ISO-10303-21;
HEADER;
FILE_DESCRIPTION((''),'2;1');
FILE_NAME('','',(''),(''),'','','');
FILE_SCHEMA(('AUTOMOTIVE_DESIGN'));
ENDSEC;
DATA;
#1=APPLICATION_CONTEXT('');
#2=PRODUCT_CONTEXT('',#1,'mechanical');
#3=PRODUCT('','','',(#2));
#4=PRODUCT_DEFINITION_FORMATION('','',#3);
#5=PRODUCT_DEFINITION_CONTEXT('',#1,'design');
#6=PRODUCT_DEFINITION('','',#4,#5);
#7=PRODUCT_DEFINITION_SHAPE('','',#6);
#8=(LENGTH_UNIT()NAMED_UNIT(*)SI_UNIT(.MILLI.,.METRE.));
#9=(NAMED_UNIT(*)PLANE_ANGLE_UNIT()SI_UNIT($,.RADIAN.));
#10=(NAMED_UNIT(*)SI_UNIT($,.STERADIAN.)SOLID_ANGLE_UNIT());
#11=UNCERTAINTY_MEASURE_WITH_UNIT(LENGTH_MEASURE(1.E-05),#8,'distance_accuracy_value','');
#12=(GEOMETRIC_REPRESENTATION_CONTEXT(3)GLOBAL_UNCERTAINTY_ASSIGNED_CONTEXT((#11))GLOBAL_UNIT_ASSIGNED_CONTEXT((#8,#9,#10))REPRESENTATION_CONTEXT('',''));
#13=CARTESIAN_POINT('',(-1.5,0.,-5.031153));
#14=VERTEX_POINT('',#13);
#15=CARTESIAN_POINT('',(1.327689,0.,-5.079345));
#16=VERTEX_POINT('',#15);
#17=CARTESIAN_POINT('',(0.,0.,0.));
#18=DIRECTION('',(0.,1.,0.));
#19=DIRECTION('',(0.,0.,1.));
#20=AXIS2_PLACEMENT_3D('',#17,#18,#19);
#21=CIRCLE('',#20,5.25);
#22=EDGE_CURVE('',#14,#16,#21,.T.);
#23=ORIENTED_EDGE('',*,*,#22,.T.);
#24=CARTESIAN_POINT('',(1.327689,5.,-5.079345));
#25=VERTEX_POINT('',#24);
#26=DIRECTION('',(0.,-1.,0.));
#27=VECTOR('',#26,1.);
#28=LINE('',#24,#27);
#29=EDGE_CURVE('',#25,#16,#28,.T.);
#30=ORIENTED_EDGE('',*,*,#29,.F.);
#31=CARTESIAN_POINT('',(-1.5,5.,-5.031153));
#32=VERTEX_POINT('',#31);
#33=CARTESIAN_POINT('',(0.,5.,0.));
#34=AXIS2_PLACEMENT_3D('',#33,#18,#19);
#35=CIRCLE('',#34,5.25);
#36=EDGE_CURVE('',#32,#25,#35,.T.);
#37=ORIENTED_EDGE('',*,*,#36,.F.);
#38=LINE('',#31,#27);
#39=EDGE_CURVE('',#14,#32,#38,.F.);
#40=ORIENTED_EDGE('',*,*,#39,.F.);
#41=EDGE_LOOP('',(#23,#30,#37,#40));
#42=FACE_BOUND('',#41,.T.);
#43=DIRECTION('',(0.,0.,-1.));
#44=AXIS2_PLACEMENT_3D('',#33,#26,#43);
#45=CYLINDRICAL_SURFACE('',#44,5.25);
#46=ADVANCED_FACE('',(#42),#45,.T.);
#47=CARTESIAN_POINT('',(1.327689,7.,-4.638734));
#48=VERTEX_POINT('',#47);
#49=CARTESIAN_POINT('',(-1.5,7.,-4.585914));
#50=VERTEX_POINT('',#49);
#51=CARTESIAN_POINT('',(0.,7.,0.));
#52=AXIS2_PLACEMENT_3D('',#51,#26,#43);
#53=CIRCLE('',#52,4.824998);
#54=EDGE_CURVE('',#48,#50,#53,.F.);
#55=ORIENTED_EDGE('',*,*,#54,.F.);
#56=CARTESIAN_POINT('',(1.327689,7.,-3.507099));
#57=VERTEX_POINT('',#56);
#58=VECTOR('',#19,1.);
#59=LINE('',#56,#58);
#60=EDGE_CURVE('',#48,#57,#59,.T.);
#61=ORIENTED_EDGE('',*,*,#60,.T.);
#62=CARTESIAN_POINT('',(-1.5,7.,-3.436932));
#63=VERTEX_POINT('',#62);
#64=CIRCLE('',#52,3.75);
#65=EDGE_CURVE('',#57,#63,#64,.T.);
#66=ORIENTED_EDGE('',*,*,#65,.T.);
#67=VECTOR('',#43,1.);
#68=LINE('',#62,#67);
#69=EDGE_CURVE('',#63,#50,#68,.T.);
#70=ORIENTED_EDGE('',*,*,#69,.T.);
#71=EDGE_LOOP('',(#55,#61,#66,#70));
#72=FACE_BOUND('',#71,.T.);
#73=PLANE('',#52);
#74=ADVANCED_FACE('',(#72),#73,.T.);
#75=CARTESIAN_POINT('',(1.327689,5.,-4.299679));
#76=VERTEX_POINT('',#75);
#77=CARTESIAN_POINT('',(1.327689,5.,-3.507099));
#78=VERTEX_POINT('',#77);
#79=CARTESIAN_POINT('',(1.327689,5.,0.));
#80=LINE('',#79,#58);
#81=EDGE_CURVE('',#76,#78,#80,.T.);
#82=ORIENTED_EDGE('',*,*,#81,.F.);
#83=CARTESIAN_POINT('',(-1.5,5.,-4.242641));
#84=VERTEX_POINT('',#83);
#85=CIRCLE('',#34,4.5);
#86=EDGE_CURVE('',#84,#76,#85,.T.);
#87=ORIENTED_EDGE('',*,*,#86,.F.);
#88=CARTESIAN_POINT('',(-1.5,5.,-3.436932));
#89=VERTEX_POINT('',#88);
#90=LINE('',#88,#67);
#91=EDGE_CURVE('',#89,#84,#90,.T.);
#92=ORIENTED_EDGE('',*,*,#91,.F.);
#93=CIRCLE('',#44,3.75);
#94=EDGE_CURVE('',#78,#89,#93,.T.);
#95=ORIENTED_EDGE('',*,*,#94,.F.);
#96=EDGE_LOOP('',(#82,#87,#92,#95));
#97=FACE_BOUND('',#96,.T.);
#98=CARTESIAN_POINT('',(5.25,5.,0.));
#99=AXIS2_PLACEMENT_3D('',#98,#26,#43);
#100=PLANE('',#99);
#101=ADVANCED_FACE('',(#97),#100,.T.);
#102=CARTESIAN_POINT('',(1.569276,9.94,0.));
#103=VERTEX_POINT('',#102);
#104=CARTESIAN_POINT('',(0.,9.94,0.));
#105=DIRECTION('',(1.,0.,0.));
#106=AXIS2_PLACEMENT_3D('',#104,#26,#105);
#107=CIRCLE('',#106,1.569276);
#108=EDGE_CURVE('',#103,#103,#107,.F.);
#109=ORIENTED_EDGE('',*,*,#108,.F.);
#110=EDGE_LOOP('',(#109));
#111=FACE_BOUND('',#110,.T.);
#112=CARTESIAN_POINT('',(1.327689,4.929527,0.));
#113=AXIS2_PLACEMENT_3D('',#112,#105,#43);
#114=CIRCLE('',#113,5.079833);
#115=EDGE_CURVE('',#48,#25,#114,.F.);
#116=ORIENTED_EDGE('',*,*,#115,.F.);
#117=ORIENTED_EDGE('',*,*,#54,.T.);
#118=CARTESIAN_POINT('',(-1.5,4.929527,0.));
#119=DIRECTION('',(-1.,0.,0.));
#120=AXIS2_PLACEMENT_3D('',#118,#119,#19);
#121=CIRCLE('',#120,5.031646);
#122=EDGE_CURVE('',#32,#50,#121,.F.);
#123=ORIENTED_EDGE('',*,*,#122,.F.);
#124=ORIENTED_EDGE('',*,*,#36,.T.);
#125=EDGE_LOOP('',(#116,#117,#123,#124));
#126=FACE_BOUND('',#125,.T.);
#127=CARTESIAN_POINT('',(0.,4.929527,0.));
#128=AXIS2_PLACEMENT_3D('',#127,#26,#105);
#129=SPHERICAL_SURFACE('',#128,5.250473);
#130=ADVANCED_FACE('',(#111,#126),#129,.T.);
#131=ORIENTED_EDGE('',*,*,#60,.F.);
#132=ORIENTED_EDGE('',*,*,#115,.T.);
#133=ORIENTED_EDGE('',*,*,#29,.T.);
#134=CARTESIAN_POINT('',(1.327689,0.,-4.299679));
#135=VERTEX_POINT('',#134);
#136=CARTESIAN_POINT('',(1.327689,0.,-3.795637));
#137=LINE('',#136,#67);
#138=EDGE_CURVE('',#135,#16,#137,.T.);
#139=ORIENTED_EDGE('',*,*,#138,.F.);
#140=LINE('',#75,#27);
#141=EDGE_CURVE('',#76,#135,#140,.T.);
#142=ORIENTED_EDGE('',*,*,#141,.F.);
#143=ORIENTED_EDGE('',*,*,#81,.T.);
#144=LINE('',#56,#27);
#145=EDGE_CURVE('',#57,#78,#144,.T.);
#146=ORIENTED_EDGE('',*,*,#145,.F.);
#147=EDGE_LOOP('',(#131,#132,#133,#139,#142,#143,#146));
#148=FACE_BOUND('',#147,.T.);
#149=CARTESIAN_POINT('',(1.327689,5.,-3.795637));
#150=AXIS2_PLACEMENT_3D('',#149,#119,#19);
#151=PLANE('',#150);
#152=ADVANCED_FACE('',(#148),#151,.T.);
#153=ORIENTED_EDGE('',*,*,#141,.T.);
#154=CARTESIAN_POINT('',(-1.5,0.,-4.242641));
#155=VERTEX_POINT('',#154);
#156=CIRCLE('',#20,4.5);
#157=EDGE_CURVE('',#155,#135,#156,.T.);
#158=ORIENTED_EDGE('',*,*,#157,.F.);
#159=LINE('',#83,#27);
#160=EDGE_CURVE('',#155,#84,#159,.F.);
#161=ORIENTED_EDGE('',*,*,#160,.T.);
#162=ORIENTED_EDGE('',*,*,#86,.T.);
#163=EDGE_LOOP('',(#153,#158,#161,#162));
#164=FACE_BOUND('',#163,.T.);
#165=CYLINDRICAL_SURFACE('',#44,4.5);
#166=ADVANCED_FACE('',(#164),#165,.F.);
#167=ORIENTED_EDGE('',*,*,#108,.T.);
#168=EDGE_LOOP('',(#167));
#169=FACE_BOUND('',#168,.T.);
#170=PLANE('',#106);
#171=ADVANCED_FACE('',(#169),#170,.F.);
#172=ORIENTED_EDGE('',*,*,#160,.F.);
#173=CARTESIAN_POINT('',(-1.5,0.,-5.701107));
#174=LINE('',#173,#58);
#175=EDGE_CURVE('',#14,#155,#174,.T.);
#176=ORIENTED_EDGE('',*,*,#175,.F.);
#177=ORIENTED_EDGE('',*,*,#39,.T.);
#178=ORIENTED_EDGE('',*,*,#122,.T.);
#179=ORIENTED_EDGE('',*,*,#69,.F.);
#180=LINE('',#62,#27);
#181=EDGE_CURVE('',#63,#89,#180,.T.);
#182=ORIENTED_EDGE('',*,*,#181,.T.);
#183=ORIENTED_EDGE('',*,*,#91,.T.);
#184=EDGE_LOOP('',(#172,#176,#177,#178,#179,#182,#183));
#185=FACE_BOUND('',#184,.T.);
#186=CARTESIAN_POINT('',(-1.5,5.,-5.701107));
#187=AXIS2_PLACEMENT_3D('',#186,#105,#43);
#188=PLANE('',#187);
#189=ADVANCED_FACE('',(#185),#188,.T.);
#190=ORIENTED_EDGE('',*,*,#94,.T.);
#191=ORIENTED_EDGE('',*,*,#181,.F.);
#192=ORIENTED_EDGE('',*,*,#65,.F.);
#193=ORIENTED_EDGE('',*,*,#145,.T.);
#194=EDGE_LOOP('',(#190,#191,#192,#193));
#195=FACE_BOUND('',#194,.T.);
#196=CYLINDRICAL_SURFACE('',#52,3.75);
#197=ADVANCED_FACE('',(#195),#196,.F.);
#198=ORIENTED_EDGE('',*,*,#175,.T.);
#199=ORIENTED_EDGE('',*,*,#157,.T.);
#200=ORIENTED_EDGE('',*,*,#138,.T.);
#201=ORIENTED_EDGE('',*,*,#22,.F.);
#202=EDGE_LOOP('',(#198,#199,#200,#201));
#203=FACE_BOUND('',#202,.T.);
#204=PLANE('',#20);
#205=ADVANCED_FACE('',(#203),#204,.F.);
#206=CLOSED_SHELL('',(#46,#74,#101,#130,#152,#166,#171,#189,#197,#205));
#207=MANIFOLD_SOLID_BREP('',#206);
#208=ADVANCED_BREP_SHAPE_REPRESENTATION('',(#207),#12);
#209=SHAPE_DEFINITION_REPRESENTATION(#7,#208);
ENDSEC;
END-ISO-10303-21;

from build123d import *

# Parameters (mm, degrees)
SKETCH1_R           = 5.25
SKETCH1_R_2         = 4.5
BOSS_EXTRUDE1_DEPTH = 5
CUT_EXTRUDE1_DEPTH  = 5
CUT_EXTRUDE2_DEPTH  = 2
SKETCH6_R           = 2
CUT_EXTRUDE4_DEPTH  = 0.35


with BuildPart() as part:
    # Sketch1 → Boss-Extrude1 (new body)
    with BuildSketch(Plane(origin=(0, 0, 0), x_dir=(1, 0, 0), z_dir=(0, 1, 0))):
        Circle(SKETCH1_R)
        Circle(SKETCH1_R_2, mode=Mode.SUBTRACT)
    extrude(amount=BOSS_EXTRUDE1_DEPTH)

    # Sketch2 → Cut-Extrude1 (cut)
    with BuildSketch(Plane(origin=(0, 0, 0), x_dir=(1, 0, 0), z_dir=(0, 1, 0))):
        Polygon((1.327689147, 3.795637322), (1.327689147, 5.701107087), (-1.5, 5.701107087), (-1.5, 3.701107087), align=None)
    extrude(amount=CUT_EXTRUDE1_DEPTH, mode=Mode.SUBTRACT)

    # Sketch4 → Revolve1 (revolve)
    with BuildSketch(Plane.XY):
        with BuildLine():
            Line((5.25, 5), (0, 5))
            Line((0, 5), (0, 10.18))
            ThreePointArc((0, 10.18), (3.687644912, 8.667004979), (5.25, 5))
        make_face()
    revolve(axis=Axis((0, 5, 0), (0, 1, 0)))

    # Sketch5 → Cut-Extrude2 (cut)
    with BuildSketch(Plane(origin=(0, 5, 0), x_dir=(-1, 0, 0), z_dir=(0, -1, 0))):
        with BuildLine():
            Line((1.5, 3.436931771), (1.5, 6))
            Line((1.5, 6), (-1.327689147, 6))
            Line((-1.327689147, 6), (-1.327689147, 3.507098734))
            ThreePointArc((-1.327689147, 3.507098734), (-0.093024772, -3.748846008), (1.5, 3.436931771))
        make_face()
    extrude(amount=-CUT_EXTRUDE2_DEPTH, mode=Mode.SUBTRACT)

    # Sketch6 → Cut-Extrude4 (cut)
    with BuildSketch(Plane(origin=(0, 10.29, 0), x_dir=(-1, 0, 0), z_dir=(0, -1, 0))):
        Circle(SKETCH6_R)
    extrude(amount=CUT_EXTRUDE4_DEPTH, mode=Mode.SUBTRACT)


solid = part.part
